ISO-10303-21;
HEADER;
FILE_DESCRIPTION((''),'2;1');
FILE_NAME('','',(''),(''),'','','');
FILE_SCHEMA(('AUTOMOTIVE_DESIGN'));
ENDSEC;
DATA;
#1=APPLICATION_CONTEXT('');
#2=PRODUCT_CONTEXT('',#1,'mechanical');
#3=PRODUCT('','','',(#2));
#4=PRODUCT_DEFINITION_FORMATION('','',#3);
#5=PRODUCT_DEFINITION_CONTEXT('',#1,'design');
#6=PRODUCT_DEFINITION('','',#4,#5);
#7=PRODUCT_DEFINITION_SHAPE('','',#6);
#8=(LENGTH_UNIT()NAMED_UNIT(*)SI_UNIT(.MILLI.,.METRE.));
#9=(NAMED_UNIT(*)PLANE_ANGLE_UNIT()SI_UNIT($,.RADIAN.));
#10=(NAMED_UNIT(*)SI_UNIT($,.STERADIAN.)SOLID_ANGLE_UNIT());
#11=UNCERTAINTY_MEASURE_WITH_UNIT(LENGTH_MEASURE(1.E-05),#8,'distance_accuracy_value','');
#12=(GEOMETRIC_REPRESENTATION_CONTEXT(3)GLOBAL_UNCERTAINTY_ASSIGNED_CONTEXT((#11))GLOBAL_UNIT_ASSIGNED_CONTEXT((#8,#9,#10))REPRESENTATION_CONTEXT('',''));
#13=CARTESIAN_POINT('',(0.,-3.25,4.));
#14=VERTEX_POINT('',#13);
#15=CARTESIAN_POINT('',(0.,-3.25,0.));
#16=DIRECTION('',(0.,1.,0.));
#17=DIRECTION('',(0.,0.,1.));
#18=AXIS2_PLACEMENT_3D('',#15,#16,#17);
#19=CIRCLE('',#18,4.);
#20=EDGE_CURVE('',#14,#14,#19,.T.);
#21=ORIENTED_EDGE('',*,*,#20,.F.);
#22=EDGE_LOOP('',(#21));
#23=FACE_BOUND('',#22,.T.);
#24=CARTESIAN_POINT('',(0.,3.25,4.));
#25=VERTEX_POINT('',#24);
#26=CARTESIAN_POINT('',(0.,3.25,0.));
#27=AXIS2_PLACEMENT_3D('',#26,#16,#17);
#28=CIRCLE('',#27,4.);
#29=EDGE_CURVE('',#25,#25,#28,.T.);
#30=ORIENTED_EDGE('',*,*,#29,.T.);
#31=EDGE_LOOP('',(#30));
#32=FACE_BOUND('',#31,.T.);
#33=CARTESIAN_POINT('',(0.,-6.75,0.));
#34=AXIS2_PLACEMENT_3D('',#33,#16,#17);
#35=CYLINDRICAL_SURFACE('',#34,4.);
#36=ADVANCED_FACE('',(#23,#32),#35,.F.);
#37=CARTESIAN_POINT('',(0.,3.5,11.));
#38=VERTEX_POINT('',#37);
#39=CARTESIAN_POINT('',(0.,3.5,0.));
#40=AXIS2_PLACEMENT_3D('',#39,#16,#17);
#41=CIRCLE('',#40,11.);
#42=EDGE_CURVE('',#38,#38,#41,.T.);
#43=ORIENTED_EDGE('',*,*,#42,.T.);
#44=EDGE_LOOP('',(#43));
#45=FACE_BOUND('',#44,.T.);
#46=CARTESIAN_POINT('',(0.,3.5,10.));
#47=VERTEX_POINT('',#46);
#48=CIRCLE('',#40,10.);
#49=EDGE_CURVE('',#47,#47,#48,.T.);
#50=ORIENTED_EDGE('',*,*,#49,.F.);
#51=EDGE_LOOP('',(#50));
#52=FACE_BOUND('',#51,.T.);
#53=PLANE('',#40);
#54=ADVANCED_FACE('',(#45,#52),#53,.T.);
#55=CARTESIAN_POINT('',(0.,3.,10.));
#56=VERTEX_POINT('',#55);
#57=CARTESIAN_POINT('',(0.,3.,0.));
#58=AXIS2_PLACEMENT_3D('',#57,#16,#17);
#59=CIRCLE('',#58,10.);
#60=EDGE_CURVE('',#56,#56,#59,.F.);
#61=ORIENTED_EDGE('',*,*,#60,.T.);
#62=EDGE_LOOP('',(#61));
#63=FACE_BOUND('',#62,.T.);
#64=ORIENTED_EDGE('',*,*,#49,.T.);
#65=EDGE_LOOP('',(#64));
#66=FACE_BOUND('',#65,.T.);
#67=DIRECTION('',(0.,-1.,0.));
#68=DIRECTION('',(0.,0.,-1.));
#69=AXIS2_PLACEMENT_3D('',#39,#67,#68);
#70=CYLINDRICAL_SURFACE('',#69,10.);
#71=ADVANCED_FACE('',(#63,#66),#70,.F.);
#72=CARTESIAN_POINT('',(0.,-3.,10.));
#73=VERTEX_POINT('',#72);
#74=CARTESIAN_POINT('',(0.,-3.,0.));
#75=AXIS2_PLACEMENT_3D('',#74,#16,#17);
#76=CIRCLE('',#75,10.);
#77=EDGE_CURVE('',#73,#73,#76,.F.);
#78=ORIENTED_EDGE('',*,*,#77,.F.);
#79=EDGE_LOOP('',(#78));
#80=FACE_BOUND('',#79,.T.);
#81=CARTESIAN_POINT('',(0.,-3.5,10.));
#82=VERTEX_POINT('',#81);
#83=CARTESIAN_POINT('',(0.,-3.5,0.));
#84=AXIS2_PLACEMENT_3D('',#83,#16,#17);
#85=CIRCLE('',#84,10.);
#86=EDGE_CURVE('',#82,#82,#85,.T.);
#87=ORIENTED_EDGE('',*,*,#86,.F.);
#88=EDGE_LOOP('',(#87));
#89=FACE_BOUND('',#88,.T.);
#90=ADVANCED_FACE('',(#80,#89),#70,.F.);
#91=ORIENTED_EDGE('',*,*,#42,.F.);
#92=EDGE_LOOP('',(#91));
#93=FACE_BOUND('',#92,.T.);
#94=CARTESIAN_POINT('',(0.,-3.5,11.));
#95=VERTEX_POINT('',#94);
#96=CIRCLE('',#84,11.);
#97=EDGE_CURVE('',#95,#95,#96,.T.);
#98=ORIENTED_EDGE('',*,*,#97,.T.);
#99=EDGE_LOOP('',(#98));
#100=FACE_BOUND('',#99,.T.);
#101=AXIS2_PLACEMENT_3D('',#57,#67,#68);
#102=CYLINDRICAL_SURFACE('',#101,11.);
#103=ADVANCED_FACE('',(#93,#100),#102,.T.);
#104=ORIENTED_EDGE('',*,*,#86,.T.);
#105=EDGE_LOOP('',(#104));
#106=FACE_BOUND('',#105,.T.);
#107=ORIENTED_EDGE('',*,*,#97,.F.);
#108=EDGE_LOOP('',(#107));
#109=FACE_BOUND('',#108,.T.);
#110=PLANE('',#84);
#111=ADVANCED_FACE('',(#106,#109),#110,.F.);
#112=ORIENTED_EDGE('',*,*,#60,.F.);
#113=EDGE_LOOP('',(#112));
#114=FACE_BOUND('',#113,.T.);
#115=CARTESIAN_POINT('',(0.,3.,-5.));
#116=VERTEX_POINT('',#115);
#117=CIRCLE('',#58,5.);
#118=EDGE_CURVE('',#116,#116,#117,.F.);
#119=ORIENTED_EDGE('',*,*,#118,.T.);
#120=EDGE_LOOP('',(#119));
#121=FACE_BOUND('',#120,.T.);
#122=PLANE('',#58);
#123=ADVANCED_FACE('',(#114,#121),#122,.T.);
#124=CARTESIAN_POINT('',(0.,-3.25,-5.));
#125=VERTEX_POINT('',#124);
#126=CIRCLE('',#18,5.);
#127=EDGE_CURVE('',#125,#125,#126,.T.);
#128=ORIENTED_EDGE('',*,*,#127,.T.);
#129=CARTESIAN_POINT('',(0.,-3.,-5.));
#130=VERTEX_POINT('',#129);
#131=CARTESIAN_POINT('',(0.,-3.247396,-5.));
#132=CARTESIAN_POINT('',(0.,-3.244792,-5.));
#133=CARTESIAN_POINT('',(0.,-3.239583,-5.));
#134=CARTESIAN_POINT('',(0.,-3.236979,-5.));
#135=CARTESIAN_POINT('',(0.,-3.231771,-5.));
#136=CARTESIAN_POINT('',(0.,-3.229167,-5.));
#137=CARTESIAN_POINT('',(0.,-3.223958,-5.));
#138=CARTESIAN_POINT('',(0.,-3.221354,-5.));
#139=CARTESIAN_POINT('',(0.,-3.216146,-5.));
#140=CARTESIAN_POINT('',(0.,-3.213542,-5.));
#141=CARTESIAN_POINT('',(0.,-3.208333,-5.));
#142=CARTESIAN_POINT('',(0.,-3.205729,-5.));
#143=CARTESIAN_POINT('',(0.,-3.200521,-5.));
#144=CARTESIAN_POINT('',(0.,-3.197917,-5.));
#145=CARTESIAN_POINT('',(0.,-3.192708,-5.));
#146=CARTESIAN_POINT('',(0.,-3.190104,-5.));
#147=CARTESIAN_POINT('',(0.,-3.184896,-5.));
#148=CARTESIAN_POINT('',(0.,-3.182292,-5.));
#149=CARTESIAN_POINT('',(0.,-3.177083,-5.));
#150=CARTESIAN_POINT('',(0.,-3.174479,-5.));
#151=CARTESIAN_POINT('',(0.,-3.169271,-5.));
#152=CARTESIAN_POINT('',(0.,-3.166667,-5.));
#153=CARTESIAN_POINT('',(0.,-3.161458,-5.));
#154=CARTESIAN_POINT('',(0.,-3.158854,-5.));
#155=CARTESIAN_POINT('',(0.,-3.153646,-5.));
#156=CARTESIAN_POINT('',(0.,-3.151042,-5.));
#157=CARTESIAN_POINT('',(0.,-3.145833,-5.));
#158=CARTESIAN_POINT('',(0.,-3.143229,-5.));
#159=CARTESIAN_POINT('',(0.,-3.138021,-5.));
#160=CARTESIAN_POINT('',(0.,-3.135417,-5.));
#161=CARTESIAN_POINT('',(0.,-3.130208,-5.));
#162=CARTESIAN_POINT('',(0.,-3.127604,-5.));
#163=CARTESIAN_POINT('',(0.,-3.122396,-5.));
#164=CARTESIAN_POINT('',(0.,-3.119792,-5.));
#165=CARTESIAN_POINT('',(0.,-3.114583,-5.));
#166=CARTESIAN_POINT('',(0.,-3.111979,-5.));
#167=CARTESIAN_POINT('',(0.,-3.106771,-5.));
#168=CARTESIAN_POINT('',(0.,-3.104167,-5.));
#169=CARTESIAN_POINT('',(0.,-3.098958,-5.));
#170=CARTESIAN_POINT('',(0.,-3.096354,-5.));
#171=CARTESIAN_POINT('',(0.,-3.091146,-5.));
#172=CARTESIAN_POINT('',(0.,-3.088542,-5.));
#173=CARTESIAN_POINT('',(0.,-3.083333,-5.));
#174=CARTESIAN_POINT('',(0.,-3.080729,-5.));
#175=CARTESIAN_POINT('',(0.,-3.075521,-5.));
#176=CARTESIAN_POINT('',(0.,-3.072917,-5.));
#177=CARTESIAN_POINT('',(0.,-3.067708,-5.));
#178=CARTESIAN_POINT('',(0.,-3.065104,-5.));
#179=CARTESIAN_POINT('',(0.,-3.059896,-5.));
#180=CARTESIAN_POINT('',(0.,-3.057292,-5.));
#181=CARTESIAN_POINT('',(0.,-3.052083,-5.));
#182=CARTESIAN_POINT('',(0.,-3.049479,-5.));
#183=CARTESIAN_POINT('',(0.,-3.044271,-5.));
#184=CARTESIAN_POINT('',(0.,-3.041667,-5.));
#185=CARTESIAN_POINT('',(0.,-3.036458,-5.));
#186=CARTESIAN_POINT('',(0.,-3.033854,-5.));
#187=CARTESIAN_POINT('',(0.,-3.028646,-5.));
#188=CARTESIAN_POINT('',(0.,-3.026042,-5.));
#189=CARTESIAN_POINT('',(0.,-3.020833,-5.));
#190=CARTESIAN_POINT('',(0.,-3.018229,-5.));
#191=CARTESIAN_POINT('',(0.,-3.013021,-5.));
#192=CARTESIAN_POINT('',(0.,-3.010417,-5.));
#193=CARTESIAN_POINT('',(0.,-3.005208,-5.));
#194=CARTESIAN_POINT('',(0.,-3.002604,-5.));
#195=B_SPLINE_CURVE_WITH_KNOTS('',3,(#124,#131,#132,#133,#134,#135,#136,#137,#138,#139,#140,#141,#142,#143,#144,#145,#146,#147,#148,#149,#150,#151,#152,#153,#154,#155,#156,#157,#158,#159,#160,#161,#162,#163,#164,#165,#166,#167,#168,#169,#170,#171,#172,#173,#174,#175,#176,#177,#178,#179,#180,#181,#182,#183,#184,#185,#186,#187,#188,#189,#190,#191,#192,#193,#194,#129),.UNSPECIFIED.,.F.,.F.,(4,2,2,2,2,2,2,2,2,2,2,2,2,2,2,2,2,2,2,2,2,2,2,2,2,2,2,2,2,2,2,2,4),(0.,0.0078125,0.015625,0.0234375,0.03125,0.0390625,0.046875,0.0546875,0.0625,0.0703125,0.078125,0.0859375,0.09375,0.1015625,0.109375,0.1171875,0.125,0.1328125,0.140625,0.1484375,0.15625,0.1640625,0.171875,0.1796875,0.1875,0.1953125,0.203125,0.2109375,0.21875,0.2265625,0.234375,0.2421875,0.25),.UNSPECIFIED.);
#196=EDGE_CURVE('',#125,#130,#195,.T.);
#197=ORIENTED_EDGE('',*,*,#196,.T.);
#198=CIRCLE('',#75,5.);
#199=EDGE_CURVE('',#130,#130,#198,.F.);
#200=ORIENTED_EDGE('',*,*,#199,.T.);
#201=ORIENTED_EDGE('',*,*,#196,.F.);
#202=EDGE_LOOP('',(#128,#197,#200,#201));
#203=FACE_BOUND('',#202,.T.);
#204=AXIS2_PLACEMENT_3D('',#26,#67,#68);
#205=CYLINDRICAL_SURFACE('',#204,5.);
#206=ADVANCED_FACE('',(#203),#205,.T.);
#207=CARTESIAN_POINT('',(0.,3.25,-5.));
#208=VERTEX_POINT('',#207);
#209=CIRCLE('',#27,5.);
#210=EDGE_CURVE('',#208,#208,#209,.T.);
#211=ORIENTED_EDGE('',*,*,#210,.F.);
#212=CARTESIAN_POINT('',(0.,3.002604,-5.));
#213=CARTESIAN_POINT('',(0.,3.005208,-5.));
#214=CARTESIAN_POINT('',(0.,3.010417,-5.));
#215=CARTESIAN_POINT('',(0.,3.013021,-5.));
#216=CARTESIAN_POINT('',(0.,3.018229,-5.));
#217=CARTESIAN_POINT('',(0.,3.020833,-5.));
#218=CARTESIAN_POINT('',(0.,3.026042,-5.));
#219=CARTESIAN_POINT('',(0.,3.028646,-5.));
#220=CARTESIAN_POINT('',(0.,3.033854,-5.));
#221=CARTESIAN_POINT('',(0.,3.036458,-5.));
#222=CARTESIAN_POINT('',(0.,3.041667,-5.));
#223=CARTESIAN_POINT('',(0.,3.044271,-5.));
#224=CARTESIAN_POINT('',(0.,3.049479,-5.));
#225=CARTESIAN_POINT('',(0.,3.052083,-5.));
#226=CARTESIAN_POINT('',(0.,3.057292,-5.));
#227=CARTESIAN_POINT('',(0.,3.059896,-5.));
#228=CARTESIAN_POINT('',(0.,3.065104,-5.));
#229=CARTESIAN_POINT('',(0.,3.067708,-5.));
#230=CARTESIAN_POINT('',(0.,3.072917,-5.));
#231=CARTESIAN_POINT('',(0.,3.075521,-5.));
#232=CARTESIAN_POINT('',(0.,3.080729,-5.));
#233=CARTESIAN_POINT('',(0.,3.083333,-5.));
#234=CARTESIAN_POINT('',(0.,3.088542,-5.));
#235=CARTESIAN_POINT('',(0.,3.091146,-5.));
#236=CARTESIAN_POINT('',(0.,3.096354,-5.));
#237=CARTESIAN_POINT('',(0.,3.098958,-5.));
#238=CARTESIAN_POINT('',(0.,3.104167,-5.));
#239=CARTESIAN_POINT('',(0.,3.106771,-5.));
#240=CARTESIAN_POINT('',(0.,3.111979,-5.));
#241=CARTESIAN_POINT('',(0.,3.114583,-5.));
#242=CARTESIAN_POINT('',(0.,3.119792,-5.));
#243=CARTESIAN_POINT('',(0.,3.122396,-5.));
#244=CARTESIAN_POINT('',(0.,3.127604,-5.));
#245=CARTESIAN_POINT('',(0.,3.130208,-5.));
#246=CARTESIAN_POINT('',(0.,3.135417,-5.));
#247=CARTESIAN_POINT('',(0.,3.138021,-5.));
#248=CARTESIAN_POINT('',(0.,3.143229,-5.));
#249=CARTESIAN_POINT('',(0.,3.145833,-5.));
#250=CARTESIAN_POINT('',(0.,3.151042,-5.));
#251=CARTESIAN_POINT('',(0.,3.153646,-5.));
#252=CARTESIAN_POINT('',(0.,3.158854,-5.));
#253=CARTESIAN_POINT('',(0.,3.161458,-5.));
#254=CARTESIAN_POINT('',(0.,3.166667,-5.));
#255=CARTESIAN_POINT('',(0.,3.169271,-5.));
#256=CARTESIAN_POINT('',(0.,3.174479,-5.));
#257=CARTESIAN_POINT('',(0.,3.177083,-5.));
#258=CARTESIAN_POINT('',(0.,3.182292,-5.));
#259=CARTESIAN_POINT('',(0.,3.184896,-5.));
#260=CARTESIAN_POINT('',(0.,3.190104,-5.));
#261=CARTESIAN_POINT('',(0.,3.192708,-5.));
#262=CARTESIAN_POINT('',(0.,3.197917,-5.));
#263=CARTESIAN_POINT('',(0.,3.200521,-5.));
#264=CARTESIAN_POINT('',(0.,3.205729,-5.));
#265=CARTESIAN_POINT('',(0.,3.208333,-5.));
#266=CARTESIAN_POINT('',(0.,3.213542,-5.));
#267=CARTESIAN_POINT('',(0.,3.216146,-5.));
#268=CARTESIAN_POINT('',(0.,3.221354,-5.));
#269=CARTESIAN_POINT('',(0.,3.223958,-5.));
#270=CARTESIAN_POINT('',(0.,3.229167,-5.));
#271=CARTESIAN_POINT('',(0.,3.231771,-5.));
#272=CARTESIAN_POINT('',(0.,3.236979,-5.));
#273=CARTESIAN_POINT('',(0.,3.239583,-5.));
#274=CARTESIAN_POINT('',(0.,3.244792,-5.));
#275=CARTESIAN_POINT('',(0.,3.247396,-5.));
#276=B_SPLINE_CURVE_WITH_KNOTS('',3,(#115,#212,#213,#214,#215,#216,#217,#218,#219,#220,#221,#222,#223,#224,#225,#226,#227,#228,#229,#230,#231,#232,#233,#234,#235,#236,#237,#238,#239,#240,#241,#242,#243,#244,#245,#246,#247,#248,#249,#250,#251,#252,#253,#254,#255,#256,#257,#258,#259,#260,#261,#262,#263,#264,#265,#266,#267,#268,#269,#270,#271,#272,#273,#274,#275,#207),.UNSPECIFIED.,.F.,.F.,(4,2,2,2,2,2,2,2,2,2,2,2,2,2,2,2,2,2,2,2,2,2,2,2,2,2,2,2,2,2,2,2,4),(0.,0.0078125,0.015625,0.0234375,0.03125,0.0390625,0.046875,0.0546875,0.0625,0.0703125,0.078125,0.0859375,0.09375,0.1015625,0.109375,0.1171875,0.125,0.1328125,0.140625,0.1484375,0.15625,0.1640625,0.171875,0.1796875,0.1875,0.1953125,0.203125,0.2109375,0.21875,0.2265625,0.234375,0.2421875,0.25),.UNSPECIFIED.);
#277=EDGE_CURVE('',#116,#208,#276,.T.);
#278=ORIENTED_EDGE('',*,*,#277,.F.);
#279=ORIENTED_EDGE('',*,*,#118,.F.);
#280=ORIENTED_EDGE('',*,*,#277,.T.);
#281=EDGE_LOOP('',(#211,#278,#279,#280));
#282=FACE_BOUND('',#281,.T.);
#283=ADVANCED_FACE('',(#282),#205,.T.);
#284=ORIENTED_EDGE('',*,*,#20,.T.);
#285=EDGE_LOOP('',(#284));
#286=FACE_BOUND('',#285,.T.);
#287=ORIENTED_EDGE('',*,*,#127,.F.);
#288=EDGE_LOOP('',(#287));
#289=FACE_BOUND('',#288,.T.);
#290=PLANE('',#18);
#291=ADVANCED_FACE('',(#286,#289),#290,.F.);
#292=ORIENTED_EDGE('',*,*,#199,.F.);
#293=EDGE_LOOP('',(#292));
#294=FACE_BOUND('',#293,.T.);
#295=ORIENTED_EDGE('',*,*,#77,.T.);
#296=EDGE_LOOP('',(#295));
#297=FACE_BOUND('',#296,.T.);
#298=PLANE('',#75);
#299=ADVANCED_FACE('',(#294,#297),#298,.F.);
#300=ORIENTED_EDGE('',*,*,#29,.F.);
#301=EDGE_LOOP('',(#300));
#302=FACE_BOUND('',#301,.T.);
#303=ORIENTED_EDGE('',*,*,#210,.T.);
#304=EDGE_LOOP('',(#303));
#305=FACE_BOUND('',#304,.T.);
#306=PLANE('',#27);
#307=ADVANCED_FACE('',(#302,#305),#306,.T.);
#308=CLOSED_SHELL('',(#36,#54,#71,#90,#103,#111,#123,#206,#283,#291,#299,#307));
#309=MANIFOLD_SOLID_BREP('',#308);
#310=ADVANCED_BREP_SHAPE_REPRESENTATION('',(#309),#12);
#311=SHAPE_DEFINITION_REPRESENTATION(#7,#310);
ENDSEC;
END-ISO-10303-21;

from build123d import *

# Parameters (mm, degrees)
SKETCH1_R           = 11
BOSS_EXTRUDE1_DEPTH = 3
SKETCH2_R           = 11
SKETCH2_R_2         = 10
BOSS_EXTRUDE2_DEPTH = 3.5
SKETCH4_R           = 5
BOSS_EXTRUDE3_DEPTH = 3.25
SKETCH5_R           = 4
CUT_EXTRUDE1_DEPTH  = 10


with BuildPart() as part:
    # Sketch1 → Boss-Extrude1 (new, symmetric)
    with BuildSketch(Plane(origin=(0, 0, 0), x_dir=(1, 0, 0), z_dir=(0, 1, 0))):
        with Locations(Location((0, 0, 0), (0, 0, 270))):
            Circle(SKETCH1_R)
    extrude(amount=BOSS_EXTRUDE1_DEPTH, both=True)

    # Sketch2 → Boss-Extrude2 (add, symmetric)
    with BuildSketch(Plane(origin=(0, 0, 0), x_dir=(1, 0, 0), z_dir=(0, 1, 0))):
        with Locations(Location((0, 0, 0), (0, 0, 270))):
            Circle(SKETCH2_R)
        with Locations(Location((0, 0, 0), (0, 0, 270))):
            Circle(SKETCH2_R_2, mode=Mode.SUBTRACT)
    extrude(amount=BOSS_EXTRUDE2_DEPTH, both=True)

    # Sketch4 → Boss-Extrude3 (add, symmetric)
    with BuildSketch(Plane(origin=(0, 0, 0), x_dir=(1, 0, 0), z_dir=(0, 1, 0))):
        with Locations(Location((0, 0, 0), (0, 0, 90))):
            Circle(SKETCH4_R)
    extrude(amount=BOSS_EXTRUDE3_DEPTH, both=True)

    # Sketch5 → Cut-Extrude1 (cut)
    with BuildSketch(Plane(origin=(0, 3.25, 0), x_dir=(1, 0, 0), z_dir=(0, 1, 0))):
        with Locations(Location((0, 0, 0), (0, 0, 270))):
            Circle(SKETCH5_R)
    extrude(amount=-CUT_EXTRUDE1_DEPTH, mode=Mode.SUBTRACT)


solid = part.part
